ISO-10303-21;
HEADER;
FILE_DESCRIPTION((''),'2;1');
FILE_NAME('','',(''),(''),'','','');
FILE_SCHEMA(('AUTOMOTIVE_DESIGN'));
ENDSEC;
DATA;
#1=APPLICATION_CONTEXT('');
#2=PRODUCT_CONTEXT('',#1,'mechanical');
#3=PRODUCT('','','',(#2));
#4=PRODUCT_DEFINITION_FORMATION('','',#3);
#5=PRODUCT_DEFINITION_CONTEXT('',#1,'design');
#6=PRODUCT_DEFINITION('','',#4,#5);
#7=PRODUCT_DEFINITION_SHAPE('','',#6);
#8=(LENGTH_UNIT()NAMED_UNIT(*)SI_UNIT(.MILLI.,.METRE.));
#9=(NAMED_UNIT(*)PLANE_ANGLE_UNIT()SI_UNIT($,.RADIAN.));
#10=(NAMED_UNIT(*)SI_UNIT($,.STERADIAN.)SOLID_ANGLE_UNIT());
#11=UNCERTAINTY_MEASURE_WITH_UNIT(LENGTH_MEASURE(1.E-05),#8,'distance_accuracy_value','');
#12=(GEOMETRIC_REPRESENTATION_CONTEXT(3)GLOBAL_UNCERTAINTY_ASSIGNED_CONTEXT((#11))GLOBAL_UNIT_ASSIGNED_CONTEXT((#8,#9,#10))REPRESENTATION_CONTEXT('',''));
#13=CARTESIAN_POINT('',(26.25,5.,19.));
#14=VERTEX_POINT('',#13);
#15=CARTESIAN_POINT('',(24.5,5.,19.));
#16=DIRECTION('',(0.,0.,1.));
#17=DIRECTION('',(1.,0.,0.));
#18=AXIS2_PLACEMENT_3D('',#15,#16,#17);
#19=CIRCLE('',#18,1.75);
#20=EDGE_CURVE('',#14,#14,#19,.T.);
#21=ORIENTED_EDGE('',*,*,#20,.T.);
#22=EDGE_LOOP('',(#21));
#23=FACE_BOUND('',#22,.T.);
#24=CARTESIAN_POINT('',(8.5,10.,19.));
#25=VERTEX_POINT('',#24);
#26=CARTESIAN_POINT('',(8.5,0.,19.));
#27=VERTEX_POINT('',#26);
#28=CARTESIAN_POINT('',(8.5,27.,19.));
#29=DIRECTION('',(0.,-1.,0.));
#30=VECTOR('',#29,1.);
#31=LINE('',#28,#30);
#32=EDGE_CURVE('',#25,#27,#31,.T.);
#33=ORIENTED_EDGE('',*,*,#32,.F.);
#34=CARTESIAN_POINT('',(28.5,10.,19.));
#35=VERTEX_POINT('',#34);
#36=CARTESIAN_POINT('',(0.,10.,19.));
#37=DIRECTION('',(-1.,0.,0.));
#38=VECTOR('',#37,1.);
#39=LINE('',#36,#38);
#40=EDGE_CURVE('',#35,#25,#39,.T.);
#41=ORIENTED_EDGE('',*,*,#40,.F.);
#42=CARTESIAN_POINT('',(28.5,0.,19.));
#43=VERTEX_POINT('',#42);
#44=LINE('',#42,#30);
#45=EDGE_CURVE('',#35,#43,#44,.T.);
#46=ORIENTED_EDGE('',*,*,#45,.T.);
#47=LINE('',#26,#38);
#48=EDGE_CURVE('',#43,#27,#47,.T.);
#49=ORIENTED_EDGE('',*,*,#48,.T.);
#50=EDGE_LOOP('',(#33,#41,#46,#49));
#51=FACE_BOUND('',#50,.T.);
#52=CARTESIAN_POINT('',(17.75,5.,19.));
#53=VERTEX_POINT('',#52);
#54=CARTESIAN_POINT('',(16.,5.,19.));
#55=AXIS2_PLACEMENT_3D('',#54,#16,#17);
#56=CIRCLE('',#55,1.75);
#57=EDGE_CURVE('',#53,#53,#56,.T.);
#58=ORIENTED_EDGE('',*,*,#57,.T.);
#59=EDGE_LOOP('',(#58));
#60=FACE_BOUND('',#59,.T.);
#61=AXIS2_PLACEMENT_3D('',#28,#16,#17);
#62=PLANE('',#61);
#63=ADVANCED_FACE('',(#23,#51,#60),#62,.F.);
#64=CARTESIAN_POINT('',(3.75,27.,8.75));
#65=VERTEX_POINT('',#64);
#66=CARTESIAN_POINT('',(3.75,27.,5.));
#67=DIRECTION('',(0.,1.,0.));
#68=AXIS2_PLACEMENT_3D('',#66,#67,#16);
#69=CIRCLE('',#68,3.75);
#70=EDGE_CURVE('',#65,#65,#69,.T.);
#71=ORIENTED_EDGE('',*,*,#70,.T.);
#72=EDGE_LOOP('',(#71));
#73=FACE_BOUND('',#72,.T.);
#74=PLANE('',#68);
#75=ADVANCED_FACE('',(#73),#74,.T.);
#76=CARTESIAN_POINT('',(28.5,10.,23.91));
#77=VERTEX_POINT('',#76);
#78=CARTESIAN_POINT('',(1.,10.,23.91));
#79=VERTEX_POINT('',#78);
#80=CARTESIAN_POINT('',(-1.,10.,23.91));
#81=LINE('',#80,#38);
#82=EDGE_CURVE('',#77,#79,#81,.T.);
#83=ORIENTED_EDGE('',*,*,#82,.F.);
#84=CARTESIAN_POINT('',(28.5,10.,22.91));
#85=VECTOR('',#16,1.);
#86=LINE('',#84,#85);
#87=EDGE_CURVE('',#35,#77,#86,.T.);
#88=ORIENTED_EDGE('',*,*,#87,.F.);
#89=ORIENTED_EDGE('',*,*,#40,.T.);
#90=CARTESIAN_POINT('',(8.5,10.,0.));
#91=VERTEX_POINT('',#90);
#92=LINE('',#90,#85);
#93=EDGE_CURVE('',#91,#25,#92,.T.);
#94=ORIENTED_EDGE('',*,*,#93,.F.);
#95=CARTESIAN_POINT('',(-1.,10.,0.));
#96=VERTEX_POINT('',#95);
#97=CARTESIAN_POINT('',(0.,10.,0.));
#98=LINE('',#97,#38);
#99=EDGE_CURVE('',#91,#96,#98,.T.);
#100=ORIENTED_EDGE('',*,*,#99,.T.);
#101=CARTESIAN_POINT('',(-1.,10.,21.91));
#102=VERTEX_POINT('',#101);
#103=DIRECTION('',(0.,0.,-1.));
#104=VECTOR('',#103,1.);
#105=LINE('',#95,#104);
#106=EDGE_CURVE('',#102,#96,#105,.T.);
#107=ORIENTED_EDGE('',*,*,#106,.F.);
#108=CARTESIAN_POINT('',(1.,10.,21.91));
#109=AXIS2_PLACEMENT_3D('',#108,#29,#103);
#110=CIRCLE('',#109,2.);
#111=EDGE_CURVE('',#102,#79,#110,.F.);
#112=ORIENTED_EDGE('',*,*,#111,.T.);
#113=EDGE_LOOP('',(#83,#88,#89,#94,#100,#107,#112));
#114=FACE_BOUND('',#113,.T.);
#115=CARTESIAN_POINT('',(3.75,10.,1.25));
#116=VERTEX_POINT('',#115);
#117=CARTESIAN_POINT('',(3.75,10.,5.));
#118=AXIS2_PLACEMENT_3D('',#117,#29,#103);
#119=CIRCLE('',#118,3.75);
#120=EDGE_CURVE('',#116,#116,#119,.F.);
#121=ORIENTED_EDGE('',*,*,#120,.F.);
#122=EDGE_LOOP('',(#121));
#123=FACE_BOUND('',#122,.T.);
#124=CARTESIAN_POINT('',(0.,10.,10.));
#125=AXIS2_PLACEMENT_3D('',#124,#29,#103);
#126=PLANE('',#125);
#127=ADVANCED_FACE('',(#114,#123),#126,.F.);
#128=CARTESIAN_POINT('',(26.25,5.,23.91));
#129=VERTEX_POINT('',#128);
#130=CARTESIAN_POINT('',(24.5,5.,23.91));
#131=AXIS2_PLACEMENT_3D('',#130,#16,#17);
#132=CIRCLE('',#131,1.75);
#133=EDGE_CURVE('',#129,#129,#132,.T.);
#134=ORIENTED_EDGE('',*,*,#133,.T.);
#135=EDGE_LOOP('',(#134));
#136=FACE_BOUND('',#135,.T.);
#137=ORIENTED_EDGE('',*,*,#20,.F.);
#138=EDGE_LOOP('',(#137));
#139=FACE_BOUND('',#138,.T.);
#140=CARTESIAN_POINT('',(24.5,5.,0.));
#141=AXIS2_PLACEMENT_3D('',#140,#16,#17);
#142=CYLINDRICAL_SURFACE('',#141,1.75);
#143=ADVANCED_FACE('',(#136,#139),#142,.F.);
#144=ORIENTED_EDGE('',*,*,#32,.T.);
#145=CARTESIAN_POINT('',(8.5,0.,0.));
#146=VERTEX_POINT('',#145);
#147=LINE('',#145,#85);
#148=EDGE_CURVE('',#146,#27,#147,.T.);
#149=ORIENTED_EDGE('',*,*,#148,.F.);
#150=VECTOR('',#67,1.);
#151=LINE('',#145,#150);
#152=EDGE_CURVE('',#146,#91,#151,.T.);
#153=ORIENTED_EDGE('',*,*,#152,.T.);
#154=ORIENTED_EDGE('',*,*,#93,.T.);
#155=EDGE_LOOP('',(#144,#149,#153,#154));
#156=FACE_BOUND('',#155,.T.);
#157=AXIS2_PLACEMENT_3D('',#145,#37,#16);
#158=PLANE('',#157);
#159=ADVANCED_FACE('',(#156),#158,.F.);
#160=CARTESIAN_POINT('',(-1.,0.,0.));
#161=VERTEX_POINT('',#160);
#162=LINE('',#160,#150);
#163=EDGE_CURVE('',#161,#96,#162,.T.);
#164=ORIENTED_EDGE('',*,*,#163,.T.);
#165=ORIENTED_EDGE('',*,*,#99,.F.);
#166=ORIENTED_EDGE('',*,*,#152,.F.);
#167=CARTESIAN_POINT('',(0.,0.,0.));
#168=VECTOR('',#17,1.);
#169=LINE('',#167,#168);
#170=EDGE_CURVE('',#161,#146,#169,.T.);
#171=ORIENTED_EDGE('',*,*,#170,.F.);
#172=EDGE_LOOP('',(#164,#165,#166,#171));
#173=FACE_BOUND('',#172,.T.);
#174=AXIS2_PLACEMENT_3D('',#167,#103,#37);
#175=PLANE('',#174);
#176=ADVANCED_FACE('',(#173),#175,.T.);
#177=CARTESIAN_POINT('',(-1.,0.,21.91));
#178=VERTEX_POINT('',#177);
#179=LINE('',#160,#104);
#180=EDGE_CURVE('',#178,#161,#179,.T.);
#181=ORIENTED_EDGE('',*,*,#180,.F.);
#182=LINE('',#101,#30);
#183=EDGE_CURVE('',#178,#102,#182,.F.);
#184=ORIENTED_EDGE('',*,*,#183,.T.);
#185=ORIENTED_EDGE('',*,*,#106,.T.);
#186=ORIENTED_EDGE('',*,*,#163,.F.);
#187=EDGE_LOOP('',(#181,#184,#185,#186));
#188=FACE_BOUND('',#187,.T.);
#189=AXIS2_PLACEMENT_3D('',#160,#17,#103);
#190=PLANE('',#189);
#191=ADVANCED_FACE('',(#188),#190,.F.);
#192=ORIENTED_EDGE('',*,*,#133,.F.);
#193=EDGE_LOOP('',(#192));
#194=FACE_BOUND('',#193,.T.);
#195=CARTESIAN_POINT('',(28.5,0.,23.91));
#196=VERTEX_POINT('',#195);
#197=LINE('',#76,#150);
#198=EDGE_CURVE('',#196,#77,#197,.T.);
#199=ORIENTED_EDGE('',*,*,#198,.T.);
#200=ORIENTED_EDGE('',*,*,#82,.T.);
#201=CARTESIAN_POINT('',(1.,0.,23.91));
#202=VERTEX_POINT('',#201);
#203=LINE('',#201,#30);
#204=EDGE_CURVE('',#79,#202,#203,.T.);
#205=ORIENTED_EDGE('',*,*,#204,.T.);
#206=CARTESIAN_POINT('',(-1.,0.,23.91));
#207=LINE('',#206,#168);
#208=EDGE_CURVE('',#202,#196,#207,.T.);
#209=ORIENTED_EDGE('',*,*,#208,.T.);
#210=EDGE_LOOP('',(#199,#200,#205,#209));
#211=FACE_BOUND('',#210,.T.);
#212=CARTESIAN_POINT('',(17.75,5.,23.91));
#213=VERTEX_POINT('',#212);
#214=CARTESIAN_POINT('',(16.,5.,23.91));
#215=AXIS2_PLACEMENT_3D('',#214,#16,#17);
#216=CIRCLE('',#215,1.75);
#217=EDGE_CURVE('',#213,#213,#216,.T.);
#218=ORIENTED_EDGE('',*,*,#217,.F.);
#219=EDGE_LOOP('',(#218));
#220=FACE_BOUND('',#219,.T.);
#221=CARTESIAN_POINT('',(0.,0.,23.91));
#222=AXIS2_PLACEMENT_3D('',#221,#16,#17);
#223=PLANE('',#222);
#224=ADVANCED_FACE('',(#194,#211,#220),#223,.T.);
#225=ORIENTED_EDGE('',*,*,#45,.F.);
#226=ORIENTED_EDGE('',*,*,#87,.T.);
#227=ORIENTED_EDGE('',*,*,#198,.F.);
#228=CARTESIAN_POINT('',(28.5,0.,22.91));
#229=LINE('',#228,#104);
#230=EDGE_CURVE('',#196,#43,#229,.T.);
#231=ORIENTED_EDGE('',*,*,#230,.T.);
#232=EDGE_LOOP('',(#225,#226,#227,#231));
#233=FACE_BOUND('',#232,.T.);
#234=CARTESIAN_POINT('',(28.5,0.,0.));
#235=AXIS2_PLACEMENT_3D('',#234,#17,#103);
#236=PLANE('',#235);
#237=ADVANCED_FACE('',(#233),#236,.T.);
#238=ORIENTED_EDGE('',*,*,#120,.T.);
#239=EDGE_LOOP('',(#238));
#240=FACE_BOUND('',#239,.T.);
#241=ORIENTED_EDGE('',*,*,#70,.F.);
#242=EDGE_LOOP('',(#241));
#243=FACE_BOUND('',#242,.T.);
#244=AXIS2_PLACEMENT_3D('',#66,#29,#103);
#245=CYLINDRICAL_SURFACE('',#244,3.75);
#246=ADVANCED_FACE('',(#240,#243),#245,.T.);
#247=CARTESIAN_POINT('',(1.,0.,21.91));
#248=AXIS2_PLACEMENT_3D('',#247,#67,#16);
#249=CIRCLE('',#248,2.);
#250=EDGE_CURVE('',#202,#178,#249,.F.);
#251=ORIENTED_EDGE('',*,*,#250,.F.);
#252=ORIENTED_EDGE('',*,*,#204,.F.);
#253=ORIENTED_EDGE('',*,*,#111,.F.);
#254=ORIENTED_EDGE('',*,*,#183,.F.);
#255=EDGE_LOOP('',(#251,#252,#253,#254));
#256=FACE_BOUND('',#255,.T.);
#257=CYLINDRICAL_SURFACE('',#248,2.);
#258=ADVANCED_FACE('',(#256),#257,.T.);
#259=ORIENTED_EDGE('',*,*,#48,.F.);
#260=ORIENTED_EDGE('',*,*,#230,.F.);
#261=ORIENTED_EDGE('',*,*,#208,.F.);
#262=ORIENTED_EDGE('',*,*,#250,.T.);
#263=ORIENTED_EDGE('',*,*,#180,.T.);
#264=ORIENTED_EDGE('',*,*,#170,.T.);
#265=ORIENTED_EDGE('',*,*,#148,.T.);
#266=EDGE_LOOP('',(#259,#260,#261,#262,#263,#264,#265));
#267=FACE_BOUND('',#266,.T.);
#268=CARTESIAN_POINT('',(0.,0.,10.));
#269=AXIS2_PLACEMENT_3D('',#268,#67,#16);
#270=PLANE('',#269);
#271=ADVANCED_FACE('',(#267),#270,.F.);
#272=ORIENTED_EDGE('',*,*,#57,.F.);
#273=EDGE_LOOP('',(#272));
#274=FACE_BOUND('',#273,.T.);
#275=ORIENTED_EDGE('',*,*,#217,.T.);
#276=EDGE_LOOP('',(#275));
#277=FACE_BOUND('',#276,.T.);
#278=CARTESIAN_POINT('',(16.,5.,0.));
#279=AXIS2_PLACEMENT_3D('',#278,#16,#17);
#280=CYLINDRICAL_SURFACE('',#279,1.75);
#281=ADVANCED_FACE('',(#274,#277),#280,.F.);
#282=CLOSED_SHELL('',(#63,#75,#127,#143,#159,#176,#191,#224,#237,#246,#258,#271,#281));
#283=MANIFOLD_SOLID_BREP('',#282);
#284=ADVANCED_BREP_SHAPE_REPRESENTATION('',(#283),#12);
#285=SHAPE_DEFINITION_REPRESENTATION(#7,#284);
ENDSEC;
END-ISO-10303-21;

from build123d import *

# Parameters (mm, degrees)
SKETCH1_W           = 12.5
SKETCH1_H           = 10
BOSS_EXTRUDE1_DEPTH = 10
SKETCH2_W           = 10
SKETCH2_H           = 10
BOSS_EXTRUDE2_DEPTH = 5
SKETCH3_R           = 3.75
BOSS_EXTRUDE3_DEPTH = 17
SKETCH4_W           = 4
SKETCH4_H           = 10
CUT_EXTRUDE1_DEPTH  = 11
SKETCH5_W           = 9.5
SKETCH5_H           = 10
BOSS_EXTRUDE4_DEPTH = 12.5
SKETCH6_W           = 5
SKETCH6_H           = 10
BOSS_EXTRUDE5_DEPTH = 30
SKETCH7_R           = 1.75
CUT_EXTRUDE2_DEPTH  = 23.5
SKETCH8_W           = 30
SKETCH8_H           = 5
CUT_EXTRUDE4_DEPTH  = 10
SKETCH10_W          = 9.5
SKETCH10_H          = 10
CUT_EXTRUDE6_DEPTH  = 3.49
SKETCH11_W          = 9.5
SKETCH11_H          = 10
BOSS_EXTRUDE6_DEPTH = 3.9
SKETCH12_W          = 4
SKETCH12_H          = 10
BOSS_EXTRUDE7_DEPTH = 20
SKETCH13_W          = 20
SKETCH13_H          = 0.09
CUT_EXTRUDE7_DEPTH  = 28
SKETCH14_R          = 1.75
CUT_EXTRUDE8_DEPTH  = 23.91
SKETCH15_W          = 29.5
SKETCH15_H          = 10
SKETCH15_R          = 1.75
BOSS_EXTRUDE8_DEPTH = 1
FILLET1_R           = 2


with BuildPart() as part:
    # Sketch1 → Boss-Extrude1 (new body)
    with BuildSketch(Plane.XY):
        with Locations((6.25, 5)):
            Rectangle(SKETCH1_W, SKETCH1_H)
    extrude(amount=BOSS_EXTRUDE1_DEPTH)

    # Sketch2 → Boss-Extrude2 (add)
    with BuildSketch(Plane.ZY):
        with Locations((5, 5)):
            Rectangle(SKETCH2_W, SKETCH2_H)
    extrude(amount=BOSS_EXTRUDE2_DEPTH)

    # Sketch3 → Boss-Extrude3 (add)
    with BuildSketch(Plane(origin=(0, 10, 0), x_dir=(1, 0, 0), z_dir=(0, 1, 0))):
        with Locations((3.75, -5)):
            Circle(SKETCH3_R)
    extrude(amount=BOSS_EXTRUDE3_DEPTH)

    # Sketch4 → Cut-Extrude1 (cut, through all)
    with BuildSketch(Plane(origin=(0, 10, 0), x_dir=(1, 0, 0), z_dir=(0, 1, 0))):
        with Locations((10.5, -5)):
            Rectangle(SKETCH4_W, SKETCH4_H)
        with Locations((-3, -5)):
            Rectangle(SKETCH4_W, SKETCH4_H)
    extrude(amount=-CUT_EXTRUDE1_DEPTH, mode=Mode.SUBTRACT)

    # Sketch5 → Boss-Extrude4 (add)
    with BuildSketch(Plane.XY.offset(10)):
        with Locations((3.75, 5)):
            Rectangle(SKETCH5_W, SKETCH5_H)
    extrude(amount=BOSS_EXTRUDE4_DEPTH)

    # Sketch6 → Boss-Extrude5 (add)
    with BuildSketch(Plane(origin=(8.5, 0, 0), x_dir=(0, 0, -1), z_dir=(1, 0, 0))):
        with Locations((-20, 5)):
            Rectangle(SKETCH6_W, SKETCH6_H)
    extrude(amount=BOSS_EXTRUDE5_DEPTH)

    # Sketch7 → Cut-Extrude2 (cut, through all)
    with BuildSketch(Plane.XY.offset(22.5)):
        with Locations((22.5, 5)):
            Circle(SKETCH7_R)
        with Locations((33.5, 5)):
            Circle(SKETCH7_R)
    extrude(amount=-CUT_EXTRUDE2_DEPTH, mode=Mode.SUBTRACT)

    # Sketch8 → Cut-Extrude4 (cut)
    with BuildSketch(Plane(origin=(0, 10, 0), x_dir=(1, 0, 0), z_dir=(0, 1, 0))):
        with Locations((23.5, -20)):
            Rectangle(SKETCH8_W, SKETCH8_H)
    extrude(amount=-CUT_EXTRUDE4_DEPTH, mode=Mode.SUBTRACT)

    # Sketch10 → Cut-Extrude6 (cut)
    with BuildSketch(Plane.XY.offset(22.5)):
        with Locations((3.75, 5)):
            Rectangle(SKETCH10_W, SKETCH10_H)
    extrude(amount=-CUT_EXTRUDE6_DEPTH, mode=Mode.SUBTRACT)

    # Sketch11 → Boss-Extrude6 (add)
    with BuildSketch(Plane.XY.offset(19.01)):
        with Locations((3.75, 5)):
            Rectangle(SKETCH11_W, SKETCH11_H)
    extrude(amount=BOSS_EXTRUDE6_DEPTH)

    # Sketch12 → Boss-Extrude7 (add)
    with BuildSketch(Plane(origin=(8.5, 0, 0), x_dir=(0, 0, -1), z_dir=(1, 0, 0))):
        with Locations((-20.91, 5)):
            Rectangle(SKETCH12_W, SKETCH12_H)
    extrude(amount=BOSS_EXTRUDE7_DEPTH)

    # Sketch13 → Cut-Extrude7 (cut, through all)
    with BuildSketch(Plane(origin=(0, 0, 0), x_dir=(-1, 0, 0), z_dir=(0, -1, 0))):
        with Locations((-18.5, -18.955)):
            Rectangle(SKETCH13_W, SKETCH13_H)
    extrude(amount=-CUT_EXTRUDE7_DEPTH, mode=Mode.SUBTRACT)

    # Sketch14 → Cut-Extrude8 (cut, through all)
    with BuildSketch(Plane.XY.offset(22.91)):
        with Locations((16, 5)):
            Circle(SKETCH14_R)
        with Locations((24.5, 5)):
            Circle(SKETCH14_R)
    extrude(amount=-CUT_EXTRUDE8_DEPTH, mode=Mode.SUBTRACT)

    # Sketch15 → Boss-Extrude8 (add)
    with BuildSketch(Plane.XY.offset(22.91)):
        with Locations((13.75, 5)):
            Rectangle(SKETCH15_W, SKETCH15_H)
        with Locations((24.5, 5)):
            Circle(SKETCH15_R, mode=Mode.SUBTRACT)
        with Locations((16, 5)):
            Circle(SKETCH15_R, mode=Mode.SUBTRACT)
    extrude(amount=BOSS_EXTRUDE8_DEPTH)

    # Fillet1
    fillet1_edges = [part.edges().sort_by_distance(p)[0] for p in [
        (-1, 5, 23.91),
    ]]
    fillet(fillet1_edges, radius=FILLET1_R)


solid = part.part
